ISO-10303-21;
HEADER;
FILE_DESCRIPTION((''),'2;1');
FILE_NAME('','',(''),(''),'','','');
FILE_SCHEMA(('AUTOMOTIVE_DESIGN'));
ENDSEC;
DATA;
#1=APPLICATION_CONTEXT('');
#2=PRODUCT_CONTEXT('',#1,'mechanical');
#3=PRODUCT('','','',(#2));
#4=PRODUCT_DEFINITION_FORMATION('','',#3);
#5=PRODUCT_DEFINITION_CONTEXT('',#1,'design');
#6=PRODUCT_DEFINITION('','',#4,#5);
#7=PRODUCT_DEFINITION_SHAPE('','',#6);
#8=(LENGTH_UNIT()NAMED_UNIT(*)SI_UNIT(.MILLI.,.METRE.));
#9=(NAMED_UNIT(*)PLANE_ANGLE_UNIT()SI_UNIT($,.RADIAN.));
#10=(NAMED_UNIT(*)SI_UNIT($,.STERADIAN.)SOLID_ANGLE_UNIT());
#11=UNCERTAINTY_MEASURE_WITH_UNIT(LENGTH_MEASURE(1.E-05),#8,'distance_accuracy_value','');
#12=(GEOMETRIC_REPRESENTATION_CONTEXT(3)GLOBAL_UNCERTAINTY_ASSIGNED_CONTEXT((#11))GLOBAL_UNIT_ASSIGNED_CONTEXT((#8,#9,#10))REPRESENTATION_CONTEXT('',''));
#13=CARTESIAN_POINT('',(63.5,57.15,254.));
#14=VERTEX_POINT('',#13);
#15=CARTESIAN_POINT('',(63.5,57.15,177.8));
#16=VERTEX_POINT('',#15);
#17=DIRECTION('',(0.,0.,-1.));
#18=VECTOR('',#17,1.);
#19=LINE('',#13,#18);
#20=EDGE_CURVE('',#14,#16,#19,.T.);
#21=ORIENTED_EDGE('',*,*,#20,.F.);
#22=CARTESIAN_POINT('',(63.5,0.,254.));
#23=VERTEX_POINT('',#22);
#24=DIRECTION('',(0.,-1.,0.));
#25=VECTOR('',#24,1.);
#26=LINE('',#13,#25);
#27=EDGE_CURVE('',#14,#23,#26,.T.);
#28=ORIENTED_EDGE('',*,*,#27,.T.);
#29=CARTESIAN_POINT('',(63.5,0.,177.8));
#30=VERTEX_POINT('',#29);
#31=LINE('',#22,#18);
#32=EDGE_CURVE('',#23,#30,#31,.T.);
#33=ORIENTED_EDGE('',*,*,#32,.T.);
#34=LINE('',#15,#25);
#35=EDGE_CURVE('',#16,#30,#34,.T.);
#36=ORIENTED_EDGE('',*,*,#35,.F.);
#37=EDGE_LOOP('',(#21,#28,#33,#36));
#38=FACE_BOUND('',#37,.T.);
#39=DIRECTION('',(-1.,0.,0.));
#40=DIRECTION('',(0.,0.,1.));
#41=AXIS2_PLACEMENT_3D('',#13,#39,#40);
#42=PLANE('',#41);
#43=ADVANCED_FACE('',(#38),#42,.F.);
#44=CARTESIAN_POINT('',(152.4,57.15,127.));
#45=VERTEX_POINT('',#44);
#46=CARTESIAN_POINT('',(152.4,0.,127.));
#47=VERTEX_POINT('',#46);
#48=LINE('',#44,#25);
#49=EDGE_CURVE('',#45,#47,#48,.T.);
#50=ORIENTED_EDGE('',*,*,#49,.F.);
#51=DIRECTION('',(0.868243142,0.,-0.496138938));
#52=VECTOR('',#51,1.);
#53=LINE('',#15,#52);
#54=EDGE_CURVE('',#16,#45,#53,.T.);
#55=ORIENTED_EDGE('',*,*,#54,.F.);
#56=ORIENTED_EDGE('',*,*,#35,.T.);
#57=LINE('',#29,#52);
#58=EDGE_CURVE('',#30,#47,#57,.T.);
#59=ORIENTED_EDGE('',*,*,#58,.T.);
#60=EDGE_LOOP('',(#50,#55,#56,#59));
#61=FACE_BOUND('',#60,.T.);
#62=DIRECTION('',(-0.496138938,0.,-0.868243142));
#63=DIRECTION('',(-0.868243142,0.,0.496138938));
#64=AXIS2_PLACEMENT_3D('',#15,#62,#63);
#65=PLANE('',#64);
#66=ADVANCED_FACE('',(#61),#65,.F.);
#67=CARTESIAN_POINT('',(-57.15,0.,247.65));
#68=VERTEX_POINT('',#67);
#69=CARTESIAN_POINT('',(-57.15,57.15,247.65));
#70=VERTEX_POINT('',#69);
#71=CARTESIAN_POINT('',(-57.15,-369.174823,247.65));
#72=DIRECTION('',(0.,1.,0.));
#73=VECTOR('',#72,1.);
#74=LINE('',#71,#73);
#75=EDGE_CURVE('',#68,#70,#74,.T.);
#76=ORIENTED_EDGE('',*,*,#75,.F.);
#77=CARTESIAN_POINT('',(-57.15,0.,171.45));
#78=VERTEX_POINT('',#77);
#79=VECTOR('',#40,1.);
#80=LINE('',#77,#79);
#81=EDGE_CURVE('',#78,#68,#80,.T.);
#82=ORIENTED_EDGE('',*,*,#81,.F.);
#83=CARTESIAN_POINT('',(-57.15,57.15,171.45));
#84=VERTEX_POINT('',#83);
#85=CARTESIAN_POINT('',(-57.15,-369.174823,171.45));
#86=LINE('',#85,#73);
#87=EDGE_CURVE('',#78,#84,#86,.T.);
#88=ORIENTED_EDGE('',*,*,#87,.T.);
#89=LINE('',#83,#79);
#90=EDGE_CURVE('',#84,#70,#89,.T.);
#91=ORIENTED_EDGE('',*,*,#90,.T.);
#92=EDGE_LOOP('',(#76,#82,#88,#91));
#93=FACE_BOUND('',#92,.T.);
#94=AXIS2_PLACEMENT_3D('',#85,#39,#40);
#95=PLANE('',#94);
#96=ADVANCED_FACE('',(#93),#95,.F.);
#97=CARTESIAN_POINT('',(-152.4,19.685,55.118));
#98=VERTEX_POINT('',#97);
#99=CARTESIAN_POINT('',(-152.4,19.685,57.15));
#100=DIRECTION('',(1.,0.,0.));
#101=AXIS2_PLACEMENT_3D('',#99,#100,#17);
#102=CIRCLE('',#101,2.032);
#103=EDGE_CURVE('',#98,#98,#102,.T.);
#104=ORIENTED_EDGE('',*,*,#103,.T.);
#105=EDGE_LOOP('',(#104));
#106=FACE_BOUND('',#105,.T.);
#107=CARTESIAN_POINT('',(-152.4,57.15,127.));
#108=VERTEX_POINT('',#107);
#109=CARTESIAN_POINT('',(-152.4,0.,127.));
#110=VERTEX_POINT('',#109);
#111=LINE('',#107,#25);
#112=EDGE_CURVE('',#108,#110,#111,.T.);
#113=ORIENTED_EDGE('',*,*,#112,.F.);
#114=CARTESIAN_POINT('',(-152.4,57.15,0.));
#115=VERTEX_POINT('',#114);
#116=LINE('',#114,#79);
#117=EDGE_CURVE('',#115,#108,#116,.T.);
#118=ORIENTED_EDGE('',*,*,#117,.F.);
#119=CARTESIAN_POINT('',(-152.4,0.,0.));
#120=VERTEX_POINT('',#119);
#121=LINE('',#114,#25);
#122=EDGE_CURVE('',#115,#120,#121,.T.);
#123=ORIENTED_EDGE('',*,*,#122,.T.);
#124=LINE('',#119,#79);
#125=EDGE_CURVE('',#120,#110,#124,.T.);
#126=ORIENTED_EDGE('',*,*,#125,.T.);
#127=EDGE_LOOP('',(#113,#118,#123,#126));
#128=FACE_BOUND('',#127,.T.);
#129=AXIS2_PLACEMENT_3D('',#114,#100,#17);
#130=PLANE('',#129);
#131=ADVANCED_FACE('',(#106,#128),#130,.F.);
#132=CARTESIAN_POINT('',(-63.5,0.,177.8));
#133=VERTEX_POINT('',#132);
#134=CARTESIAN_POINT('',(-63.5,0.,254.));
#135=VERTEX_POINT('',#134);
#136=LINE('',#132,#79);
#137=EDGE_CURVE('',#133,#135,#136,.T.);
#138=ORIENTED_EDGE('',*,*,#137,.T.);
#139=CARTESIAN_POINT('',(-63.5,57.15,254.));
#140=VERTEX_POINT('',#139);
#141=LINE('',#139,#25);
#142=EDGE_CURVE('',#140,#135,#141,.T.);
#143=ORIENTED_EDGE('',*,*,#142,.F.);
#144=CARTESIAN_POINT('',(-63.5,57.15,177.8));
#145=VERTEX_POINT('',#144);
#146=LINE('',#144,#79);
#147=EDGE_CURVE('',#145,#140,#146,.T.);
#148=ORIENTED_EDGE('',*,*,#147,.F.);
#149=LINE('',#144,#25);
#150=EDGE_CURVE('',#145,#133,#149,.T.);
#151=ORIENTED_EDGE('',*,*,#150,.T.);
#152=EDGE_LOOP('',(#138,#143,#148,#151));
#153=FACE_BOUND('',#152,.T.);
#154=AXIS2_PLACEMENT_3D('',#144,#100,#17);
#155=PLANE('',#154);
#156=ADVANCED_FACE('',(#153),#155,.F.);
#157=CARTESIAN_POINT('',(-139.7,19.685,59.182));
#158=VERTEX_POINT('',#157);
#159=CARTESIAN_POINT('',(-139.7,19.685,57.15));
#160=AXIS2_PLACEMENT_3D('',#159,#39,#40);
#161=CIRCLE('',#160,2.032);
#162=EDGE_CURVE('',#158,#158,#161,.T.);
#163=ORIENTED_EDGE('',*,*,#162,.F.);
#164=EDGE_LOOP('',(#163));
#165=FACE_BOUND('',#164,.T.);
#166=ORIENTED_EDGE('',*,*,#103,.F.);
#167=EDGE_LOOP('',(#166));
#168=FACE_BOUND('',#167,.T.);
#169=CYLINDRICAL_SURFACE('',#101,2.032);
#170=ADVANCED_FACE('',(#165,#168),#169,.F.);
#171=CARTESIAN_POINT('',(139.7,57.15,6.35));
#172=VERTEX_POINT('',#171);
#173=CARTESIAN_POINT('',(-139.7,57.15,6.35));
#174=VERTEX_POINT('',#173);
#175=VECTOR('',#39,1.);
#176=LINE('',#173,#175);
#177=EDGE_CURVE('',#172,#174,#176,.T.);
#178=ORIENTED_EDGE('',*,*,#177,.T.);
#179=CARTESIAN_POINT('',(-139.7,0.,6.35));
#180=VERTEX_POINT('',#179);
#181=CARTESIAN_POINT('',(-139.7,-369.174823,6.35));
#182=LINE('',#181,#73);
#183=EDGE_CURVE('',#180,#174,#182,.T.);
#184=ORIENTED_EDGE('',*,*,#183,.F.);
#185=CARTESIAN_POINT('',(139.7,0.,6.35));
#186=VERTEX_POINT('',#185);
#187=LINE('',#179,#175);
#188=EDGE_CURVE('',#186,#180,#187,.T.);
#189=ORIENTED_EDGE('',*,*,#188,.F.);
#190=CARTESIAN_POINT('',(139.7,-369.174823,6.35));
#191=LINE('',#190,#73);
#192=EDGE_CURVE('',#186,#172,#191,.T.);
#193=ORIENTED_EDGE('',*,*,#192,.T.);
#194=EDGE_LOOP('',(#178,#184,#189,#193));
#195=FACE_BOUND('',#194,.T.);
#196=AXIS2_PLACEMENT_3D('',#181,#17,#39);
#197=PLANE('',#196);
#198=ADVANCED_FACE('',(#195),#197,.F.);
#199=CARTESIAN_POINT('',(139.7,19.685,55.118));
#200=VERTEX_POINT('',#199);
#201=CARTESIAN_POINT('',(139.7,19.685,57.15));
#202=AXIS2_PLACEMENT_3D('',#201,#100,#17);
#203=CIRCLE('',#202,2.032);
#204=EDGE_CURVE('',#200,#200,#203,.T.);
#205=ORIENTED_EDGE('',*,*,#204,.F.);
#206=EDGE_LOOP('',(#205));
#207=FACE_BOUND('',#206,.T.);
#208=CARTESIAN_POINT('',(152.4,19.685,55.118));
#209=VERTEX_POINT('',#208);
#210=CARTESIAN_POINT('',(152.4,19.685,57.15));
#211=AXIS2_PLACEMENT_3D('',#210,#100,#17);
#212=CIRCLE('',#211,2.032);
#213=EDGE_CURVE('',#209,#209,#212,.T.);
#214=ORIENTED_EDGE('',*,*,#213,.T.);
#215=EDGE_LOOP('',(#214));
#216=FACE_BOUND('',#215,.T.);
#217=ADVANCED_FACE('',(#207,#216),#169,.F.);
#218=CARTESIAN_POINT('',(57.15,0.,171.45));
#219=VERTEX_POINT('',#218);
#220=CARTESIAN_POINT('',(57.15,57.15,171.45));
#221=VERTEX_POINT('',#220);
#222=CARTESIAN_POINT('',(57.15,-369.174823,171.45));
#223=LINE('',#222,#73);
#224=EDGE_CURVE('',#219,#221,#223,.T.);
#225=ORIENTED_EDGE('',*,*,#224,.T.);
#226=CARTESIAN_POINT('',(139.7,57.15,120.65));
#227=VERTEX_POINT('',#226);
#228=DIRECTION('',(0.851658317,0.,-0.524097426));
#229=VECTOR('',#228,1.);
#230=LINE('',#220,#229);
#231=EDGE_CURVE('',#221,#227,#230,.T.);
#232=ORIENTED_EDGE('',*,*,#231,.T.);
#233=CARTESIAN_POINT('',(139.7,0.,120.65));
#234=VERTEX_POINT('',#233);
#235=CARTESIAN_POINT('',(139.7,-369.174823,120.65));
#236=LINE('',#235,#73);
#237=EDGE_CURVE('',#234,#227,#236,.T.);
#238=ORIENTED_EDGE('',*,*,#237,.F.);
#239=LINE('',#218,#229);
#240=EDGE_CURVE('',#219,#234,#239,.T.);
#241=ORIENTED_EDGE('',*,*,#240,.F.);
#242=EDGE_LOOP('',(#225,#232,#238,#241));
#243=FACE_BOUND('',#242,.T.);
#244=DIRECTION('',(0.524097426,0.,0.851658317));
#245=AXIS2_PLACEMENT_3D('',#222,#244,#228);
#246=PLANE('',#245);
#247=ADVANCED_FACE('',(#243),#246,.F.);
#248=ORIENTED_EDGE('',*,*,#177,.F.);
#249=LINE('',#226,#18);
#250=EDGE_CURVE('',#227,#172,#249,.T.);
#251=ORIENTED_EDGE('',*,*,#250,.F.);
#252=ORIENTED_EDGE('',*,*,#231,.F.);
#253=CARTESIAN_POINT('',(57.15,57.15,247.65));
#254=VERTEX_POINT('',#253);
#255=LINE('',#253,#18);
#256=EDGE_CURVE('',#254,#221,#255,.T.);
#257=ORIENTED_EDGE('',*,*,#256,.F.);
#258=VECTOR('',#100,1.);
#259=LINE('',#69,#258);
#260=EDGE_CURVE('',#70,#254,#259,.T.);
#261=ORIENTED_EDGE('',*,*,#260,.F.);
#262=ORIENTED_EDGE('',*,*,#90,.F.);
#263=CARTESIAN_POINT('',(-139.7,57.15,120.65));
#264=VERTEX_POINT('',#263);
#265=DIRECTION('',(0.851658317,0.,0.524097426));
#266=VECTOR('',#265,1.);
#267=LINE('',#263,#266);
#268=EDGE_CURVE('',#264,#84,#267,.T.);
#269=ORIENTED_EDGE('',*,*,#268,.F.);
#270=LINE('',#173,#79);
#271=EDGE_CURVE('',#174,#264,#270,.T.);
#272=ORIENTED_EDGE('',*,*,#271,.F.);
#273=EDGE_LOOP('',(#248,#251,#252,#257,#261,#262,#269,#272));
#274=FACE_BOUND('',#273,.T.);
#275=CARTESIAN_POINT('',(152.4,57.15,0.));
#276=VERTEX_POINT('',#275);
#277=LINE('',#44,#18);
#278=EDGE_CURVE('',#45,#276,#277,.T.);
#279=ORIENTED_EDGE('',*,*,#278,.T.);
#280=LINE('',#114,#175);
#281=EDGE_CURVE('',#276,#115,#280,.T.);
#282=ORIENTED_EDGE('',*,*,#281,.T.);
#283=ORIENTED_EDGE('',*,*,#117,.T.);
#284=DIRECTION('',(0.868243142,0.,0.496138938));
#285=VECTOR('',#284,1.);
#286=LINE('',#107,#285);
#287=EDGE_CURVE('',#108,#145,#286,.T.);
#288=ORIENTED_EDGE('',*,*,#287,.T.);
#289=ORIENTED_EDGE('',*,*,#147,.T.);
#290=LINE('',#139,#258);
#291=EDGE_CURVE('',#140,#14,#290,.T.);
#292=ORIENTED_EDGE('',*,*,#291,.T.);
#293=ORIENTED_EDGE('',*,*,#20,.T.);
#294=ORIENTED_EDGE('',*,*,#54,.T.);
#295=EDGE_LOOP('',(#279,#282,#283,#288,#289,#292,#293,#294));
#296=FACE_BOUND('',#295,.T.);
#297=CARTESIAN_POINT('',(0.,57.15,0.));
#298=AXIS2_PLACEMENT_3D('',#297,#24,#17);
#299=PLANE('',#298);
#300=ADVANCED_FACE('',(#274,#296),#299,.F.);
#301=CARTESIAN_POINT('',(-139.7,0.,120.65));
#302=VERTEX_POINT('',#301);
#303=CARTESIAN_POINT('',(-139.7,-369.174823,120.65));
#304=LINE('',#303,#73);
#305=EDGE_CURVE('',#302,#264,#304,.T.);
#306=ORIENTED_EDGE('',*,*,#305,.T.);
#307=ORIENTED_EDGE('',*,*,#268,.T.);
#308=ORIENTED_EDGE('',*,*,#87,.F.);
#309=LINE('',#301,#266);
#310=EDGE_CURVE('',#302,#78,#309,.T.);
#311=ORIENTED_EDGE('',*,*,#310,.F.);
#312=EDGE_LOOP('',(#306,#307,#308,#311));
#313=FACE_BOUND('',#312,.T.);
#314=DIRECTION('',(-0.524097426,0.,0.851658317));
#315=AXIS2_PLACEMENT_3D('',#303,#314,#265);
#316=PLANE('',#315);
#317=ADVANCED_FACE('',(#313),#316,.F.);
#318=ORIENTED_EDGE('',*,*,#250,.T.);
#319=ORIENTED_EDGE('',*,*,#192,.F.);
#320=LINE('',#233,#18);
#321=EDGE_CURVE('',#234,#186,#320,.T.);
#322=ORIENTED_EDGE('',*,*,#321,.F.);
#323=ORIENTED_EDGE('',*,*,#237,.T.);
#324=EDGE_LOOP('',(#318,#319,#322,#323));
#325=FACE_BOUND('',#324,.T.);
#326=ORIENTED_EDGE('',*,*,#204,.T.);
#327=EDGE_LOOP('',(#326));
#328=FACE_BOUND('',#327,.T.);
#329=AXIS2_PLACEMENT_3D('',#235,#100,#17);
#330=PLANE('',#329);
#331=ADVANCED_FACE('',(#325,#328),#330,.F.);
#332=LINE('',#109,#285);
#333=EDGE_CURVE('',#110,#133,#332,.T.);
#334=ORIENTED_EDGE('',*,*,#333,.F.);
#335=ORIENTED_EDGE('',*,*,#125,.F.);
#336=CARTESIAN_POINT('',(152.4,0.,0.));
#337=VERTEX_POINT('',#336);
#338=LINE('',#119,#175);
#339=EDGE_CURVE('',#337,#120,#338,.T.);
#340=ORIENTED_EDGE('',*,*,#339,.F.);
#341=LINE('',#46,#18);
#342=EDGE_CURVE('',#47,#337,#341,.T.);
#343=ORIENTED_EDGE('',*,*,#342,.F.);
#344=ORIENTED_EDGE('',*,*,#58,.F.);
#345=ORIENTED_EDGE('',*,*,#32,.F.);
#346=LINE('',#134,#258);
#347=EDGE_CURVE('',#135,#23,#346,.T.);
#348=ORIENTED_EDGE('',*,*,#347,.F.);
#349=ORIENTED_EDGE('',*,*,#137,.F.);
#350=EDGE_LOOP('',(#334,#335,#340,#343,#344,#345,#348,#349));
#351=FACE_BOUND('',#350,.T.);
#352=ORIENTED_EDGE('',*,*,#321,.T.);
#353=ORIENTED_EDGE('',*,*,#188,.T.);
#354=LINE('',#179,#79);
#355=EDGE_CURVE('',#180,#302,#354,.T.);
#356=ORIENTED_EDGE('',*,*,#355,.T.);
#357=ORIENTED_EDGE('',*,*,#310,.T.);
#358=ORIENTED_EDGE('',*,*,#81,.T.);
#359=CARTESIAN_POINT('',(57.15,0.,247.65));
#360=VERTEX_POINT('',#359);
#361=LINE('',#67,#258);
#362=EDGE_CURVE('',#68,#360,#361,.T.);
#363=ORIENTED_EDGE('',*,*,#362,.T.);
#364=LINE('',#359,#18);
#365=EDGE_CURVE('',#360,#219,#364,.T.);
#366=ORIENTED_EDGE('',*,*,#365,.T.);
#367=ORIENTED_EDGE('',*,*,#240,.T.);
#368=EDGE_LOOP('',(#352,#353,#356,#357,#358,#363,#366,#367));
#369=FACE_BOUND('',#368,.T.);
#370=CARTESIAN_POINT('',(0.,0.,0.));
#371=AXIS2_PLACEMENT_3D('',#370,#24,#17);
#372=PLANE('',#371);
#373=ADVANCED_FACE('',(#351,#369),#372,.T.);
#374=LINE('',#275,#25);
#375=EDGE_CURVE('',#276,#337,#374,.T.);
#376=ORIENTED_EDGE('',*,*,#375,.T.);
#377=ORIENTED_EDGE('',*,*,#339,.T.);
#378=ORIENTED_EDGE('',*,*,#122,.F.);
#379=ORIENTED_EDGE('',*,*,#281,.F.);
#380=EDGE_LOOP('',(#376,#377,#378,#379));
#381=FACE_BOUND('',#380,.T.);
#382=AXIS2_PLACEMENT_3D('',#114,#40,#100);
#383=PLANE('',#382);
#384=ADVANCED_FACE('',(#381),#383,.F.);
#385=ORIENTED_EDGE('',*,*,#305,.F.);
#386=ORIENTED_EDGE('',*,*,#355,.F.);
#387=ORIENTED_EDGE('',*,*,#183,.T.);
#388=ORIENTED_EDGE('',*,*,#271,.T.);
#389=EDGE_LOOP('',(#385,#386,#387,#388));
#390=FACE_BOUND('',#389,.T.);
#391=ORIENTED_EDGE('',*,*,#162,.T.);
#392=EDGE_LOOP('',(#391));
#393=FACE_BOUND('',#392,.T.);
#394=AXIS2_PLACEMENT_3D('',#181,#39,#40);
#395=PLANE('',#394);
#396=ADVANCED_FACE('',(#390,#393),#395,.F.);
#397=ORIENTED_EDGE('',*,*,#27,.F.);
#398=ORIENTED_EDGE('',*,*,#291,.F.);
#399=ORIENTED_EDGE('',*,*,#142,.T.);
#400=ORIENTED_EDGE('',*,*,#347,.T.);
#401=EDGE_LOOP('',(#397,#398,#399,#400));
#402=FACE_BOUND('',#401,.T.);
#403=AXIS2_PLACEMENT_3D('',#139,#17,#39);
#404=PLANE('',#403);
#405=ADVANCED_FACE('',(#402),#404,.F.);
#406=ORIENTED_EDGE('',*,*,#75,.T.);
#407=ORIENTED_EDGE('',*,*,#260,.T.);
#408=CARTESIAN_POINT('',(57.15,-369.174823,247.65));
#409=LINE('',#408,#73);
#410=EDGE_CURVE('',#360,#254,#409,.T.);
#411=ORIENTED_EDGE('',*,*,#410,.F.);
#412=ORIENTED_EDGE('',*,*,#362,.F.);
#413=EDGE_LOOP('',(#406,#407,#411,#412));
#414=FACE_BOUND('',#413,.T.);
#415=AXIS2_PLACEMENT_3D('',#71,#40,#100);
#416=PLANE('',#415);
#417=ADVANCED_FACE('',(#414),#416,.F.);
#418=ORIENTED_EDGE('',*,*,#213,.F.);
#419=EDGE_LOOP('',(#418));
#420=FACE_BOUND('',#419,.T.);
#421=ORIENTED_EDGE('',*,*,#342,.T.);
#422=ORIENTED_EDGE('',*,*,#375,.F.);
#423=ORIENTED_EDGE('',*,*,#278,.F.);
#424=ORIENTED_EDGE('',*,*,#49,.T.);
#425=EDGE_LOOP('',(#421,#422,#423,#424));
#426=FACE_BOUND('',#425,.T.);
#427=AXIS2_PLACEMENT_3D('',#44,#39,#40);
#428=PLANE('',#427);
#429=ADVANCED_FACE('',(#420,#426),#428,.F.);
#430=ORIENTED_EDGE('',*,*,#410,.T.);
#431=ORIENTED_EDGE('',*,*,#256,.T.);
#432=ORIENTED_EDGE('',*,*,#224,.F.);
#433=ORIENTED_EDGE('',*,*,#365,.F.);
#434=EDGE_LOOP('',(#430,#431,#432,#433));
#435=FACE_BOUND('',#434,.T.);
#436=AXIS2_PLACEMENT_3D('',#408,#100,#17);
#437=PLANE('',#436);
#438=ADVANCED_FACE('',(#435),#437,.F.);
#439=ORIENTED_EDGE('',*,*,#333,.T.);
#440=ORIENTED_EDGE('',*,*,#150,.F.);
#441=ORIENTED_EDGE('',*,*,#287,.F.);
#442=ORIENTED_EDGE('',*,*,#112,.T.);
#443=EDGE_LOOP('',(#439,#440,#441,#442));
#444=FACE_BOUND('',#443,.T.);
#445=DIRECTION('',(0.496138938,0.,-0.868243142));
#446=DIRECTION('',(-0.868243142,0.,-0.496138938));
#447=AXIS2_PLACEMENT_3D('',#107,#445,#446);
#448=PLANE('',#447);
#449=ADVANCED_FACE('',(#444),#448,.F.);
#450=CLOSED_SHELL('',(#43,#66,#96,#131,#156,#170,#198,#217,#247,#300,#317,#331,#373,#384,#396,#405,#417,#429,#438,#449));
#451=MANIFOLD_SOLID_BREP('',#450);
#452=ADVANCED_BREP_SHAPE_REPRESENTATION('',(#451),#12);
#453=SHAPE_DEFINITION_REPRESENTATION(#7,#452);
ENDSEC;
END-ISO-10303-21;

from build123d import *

# Parameters (mm, degrees)
BOSS_EXTRUDE1_DEPTH = 57.15
CUT_EXTRUDE1_DEPTH  = 57.15
SKETCH3_R           = 2.032
CUT_EXTRUDE2_DEPTH  = 401.855538193


with BuildPart() as part:
    # Sketch1 → Boss-Extrude1 (new body)
    with BuildSketch(Plane(origin=(0, 0, 0), x_dir=(1, 0, 0), z_dir=(0, 1, 0))):
        Polygon((-152.4, 0), (152.4, 0), (152.4, -127), (63.5, -177.8), (63.5, -254), (-63.5, -254), (-63.5, -177.8), (-152.4, -127), align=None)
    extrude(amount=BOSS_EXTRUDE1_DEPTH)

    # Sketch2 → Cut-Extrude1 (cut)
    with BuildSketch(Plane(origin=(0, 57.15, 0), x_dir=(1, 0, 0), z_dir=(0, 1, 0))):
        Polygon((-139.7, -6.35), (139.7, -6.35), (139.7, -120.65), (57.15, -171.45), (57.15, -247.65), (-57.15, -247.65), (-57.15, -171.45), (-139.7, -120.65), align=None)
    extrude(amount=-CUT_EXTRUDE1_DEPTH, mode=Mode.SUBTRACT)

    # Sketch3 → Cut-Extrude2 (cut, through all)
    with BuildSketch(Plane(origin=(152.4, 0, 0), x_dir=(0, 0, -1), z_dir=(1, 0, 0))):
        with Locations((-57.15, 19.685)):
            Circle(SKETCH3_R)
    extrude(amount=-CUT_EXTRUDE2_DEPTH, mode=Mode.SUBTRACT)


solid = part.part
